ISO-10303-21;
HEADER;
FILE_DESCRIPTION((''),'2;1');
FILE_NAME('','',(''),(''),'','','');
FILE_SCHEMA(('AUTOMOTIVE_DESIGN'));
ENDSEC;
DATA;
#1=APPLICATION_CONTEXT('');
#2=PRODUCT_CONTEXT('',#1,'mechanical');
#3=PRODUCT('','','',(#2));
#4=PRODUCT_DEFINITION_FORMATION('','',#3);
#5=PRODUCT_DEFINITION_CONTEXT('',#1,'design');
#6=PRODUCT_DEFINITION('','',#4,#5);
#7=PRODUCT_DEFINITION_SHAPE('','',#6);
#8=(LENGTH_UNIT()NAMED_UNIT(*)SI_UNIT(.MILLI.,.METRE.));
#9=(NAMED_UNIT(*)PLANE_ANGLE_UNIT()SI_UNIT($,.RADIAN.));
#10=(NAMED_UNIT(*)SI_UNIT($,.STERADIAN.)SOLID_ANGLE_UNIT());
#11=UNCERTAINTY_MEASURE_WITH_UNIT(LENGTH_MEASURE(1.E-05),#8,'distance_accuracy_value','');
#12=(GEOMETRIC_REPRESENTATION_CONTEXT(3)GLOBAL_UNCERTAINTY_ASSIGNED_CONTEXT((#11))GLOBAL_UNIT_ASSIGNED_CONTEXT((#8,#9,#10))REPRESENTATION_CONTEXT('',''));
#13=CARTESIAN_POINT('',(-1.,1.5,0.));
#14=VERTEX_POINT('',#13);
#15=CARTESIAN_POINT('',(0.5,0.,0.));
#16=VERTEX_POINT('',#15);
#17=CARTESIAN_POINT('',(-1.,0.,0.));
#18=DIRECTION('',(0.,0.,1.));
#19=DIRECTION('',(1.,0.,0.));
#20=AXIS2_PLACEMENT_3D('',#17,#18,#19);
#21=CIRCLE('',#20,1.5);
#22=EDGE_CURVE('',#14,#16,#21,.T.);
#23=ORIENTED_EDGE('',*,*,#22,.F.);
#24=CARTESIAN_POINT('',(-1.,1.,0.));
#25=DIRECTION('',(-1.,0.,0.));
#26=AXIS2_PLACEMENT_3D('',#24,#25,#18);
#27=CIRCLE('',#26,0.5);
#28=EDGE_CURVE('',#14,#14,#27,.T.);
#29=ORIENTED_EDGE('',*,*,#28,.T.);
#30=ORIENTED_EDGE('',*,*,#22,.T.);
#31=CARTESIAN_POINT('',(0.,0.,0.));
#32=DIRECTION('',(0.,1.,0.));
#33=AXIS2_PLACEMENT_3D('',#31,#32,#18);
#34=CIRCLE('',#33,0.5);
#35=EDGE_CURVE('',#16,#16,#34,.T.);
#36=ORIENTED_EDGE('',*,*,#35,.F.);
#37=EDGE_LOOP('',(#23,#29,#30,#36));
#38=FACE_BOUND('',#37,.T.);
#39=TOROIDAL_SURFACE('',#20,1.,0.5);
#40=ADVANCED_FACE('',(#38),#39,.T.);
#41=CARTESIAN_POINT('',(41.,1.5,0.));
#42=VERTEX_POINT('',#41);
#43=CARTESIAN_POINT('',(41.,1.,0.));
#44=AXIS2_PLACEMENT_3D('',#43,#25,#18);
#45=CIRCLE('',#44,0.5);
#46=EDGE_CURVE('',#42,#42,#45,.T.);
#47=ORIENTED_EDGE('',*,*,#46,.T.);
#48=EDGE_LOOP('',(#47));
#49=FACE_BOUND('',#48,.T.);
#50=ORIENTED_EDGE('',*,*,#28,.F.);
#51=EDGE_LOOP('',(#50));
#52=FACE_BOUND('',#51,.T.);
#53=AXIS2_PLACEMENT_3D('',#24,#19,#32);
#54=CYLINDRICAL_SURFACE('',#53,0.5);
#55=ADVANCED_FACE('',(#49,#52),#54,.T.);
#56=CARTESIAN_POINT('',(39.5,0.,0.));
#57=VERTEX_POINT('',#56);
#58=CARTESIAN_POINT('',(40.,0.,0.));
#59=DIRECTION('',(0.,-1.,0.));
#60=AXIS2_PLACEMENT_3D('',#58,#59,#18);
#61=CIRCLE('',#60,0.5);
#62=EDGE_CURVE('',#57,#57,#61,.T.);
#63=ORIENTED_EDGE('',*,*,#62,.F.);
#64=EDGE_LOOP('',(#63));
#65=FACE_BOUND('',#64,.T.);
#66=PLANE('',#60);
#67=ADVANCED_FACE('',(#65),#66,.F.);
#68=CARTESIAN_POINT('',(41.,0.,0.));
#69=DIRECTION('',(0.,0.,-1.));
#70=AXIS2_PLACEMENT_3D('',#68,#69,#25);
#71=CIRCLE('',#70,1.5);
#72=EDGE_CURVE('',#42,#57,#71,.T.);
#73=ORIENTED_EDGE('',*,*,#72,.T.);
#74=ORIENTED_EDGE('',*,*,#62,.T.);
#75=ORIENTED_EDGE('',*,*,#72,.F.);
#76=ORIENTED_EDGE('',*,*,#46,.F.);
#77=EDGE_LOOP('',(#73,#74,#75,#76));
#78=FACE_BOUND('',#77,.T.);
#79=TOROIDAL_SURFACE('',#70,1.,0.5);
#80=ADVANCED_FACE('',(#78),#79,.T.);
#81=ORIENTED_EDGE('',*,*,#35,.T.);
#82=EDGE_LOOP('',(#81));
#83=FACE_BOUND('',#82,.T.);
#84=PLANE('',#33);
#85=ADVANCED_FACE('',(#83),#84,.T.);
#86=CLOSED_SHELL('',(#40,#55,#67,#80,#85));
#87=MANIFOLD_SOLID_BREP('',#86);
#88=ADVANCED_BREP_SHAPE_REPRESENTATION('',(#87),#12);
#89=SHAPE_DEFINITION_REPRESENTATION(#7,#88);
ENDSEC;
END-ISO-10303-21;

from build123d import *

# Parameters (mm, degrees)
ESQUISSE2_R = 0.5


with BuildPart() as part:
    # Balayage1: sweep along a path in Esquisse1
    with BuildLine(Plane.XY) as balayage1_path:
        ThreePointArc((0, 0), (-1.707106781, -0.707106781), (-1, 1))
        Line((-1, 1), (41, 1))
        ThreePointArc((41, 1), (41.707106781, -0.707106781), (40, 0))
    # Esquisse2 → Balayage1 (sweep)
    with BuildSketch(Plane(origin=(0, 0, 0), x_dir=(1, 0, 0), z_dir=(0, 1, 0))):
        Circle(ESQUISSE2_R)
    sweep(path=balayage1_path.line)


solid = part.part
